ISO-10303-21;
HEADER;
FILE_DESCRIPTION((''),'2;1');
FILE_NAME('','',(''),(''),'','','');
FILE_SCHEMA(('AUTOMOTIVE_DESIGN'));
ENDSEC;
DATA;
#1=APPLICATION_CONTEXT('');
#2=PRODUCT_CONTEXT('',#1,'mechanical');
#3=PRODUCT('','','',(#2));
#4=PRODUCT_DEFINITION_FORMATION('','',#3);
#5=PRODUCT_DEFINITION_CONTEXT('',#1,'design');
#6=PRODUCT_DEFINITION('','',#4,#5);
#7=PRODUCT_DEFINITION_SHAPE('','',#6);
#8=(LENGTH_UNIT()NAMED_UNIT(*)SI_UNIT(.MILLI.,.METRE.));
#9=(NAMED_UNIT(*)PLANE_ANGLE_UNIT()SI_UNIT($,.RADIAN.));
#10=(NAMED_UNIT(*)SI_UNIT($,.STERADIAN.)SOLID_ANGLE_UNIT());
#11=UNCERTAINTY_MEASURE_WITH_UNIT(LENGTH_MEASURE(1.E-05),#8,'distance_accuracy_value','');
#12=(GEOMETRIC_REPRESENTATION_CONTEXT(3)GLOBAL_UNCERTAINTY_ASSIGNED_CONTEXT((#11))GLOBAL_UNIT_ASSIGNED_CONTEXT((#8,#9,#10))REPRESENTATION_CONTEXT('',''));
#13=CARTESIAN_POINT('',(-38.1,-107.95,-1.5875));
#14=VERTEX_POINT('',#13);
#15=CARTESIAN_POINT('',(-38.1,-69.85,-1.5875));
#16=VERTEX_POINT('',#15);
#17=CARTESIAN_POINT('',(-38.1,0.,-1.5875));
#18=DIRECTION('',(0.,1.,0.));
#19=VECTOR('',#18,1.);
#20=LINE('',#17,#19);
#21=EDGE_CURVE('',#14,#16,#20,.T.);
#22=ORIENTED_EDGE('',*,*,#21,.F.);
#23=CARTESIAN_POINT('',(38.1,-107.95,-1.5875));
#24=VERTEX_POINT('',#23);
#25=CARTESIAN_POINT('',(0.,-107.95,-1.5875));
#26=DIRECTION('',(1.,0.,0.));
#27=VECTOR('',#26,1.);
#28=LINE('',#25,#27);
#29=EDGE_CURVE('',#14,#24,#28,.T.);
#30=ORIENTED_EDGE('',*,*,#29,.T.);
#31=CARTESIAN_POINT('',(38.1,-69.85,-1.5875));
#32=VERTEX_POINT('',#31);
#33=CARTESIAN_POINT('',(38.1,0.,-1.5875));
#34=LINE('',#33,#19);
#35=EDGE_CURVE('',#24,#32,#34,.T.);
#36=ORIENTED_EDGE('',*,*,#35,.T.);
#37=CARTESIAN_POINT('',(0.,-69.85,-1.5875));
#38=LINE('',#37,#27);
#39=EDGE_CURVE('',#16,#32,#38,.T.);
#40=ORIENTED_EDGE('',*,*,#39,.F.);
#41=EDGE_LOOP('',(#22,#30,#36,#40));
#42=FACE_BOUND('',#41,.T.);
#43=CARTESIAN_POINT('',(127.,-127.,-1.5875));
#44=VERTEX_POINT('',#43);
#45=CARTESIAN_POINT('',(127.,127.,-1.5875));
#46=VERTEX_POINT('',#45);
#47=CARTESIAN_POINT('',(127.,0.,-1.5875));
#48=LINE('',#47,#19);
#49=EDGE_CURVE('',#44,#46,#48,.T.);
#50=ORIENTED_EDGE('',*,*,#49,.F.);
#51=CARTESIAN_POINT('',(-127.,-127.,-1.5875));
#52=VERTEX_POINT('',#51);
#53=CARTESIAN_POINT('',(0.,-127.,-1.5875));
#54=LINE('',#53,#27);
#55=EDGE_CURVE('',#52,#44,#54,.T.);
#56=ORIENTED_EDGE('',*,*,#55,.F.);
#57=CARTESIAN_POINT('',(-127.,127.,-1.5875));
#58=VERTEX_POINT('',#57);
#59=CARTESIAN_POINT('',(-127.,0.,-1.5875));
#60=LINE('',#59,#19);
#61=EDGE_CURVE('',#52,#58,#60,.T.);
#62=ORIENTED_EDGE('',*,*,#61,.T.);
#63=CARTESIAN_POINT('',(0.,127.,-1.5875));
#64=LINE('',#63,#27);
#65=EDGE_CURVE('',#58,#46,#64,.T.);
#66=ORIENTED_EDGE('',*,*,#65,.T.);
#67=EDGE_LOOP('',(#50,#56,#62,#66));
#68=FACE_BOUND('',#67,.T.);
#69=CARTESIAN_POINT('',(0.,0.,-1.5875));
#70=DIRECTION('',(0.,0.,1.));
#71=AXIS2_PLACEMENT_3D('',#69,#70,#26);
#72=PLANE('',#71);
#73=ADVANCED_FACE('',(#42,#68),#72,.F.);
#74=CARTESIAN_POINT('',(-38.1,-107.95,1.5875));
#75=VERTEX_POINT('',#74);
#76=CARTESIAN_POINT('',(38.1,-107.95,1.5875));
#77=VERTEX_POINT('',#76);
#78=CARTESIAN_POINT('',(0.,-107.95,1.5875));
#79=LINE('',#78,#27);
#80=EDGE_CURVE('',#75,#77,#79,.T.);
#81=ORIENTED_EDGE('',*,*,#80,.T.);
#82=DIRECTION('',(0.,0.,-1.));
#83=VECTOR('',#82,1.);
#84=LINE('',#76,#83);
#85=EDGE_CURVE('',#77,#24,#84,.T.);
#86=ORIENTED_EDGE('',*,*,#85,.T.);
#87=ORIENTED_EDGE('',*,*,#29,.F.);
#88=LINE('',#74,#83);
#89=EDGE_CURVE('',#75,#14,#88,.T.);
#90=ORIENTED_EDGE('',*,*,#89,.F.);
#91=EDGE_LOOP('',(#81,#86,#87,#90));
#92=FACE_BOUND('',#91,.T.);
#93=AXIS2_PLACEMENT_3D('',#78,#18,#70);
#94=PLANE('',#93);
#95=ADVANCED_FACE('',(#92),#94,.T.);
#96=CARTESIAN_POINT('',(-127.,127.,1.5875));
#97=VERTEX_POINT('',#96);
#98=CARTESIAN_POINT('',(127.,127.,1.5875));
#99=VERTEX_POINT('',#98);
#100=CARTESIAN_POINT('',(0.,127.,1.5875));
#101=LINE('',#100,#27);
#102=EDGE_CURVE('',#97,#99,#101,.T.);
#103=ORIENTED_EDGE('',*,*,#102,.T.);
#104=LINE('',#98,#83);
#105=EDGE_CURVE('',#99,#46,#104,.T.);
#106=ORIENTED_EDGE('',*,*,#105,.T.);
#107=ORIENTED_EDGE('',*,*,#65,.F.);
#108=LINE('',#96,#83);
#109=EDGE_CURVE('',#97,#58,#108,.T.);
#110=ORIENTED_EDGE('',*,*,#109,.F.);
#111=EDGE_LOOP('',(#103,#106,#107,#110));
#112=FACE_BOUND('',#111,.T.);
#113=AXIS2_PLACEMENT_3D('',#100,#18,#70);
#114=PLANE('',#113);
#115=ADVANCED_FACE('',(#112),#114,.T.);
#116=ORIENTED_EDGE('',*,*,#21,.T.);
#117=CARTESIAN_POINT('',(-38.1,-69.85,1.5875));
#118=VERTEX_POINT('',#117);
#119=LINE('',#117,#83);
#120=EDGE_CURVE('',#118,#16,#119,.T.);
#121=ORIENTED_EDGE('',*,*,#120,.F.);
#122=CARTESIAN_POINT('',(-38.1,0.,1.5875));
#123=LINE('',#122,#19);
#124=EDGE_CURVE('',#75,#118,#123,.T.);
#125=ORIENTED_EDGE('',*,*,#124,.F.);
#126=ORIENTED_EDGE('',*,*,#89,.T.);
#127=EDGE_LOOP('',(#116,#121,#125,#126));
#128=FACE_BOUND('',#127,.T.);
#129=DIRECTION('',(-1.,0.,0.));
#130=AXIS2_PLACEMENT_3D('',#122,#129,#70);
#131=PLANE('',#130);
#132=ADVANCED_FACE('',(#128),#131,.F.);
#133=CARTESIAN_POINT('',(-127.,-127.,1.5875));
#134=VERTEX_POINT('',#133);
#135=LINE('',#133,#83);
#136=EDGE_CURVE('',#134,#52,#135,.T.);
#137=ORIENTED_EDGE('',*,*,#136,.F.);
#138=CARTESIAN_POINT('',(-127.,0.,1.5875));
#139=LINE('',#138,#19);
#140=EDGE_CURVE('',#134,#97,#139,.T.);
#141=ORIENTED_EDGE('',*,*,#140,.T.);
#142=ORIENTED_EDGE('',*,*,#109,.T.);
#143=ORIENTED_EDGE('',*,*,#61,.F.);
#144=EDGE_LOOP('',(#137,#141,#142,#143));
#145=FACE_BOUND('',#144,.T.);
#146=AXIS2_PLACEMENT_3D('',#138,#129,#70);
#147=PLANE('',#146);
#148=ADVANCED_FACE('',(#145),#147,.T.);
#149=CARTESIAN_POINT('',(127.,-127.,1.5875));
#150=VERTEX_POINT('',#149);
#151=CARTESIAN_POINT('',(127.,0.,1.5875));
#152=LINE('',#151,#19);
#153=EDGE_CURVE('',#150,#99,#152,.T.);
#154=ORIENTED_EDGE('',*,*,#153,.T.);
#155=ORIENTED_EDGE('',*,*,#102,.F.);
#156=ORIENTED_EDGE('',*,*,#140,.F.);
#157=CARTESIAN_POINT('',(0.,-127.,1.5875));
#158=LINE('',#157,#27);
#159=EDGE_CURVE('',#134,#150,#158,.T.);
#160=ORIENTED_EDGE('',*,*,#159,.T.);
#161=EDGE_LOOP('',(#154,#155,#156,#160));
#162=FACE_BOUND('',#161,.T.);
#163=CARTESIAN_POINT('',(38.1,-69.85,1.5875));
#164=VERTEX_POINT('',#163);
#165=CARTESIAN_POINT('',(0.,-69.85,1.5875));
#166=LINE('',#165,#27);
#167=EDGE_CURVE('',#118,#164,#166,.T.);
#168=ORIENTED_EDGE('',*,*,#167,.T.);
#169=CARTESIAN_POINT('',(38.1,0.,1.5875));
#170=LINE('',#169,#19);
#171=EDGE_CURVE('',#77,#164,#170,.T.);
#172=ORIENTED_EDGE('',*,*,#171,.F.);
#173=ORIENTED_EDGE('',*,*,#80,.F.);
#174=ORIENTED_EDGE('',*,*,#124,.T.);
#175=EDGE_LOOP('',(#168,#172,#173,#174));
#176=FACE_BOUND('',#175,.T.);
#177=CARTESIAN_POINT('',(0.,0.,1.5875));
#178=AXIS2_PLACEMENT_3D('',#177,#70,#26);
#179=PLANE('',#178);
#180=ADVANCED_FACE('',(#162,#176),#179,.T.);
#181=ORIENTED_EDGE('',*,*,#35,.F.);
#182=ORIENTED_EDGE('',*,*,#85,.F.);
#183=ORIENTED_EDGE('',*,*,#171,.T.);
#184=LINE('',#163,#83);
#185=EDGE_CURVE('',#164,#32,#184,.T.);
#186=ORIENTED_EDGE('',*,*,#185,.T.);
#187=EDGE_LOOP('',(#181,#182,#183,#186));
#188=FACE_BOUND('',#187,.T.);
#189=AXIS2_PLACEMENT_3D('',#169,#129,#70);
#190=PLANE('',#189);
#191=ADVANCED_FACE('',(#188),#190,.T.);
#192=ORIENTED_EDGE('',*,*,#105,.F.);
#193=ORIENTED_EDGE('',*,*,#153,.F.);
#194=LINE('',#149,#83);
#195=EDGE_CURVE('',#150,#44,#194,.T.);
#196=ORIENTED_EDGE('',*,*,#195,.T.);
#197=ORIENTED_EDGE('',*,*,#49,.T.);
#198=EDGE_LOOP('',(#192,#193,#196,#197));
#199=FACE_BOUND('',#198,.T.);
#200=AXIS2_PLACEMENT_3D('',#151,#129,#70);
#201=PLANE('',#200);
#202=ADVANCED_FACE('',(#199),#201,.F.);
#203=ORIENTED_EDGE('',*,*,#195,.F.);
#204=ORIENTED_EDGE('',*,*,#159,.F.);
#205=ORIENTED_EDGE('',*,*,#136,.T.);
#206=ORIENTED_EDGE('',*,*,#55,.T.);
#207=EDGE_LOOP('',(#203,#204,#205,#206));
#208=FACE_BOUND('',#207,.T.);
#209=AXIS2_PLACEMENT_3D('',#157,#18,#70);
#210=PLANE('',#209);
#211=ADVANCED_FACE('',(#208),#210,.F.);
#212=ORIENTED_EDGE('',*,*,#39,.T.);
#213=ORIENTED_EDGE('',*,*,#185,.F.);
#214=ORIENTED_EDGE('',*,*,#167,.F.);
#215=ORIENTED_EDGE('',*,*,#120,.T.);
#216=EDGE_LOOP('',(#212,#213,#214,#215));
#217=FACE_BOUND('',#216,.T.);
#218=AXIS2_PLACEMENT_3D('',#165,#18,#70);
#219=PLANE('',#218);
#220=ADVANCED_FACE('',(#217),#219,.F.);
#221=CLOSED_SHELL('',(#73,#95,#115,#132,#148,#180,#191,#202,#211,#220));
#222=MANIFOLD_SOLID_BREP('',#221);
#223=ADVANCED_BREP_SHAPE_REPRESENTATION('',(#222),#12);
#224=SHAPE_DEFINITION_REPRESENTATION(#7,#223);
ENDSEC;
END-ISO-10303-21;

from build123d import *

# Parameters (mm, degrees)
SKETCH1_W           = 254
SKETCH1_H           = 254
SKETCH1_W_2         = 76.2
SKETCH1_H_2         = 38.1
BOSS_EXTRUDE1_DEPTH = 1.5875


with BuildPart() as part:
    # Sketch1 → Boss-Extrude1 (new, symmetric)
    with BuildSketch(Plane.XY):
        Rectangle(SKETCH1_W, SKETCH1_H)
        with Locations((0, -88.9)):
            Rectangle(SKETCH1_W_2, SKETCH1_H_2, mode=Mode.SUBTRACT)
    extrude(amount=BOSS_EXTRUDE1_DEPTH, both=True)


solid = part.part
